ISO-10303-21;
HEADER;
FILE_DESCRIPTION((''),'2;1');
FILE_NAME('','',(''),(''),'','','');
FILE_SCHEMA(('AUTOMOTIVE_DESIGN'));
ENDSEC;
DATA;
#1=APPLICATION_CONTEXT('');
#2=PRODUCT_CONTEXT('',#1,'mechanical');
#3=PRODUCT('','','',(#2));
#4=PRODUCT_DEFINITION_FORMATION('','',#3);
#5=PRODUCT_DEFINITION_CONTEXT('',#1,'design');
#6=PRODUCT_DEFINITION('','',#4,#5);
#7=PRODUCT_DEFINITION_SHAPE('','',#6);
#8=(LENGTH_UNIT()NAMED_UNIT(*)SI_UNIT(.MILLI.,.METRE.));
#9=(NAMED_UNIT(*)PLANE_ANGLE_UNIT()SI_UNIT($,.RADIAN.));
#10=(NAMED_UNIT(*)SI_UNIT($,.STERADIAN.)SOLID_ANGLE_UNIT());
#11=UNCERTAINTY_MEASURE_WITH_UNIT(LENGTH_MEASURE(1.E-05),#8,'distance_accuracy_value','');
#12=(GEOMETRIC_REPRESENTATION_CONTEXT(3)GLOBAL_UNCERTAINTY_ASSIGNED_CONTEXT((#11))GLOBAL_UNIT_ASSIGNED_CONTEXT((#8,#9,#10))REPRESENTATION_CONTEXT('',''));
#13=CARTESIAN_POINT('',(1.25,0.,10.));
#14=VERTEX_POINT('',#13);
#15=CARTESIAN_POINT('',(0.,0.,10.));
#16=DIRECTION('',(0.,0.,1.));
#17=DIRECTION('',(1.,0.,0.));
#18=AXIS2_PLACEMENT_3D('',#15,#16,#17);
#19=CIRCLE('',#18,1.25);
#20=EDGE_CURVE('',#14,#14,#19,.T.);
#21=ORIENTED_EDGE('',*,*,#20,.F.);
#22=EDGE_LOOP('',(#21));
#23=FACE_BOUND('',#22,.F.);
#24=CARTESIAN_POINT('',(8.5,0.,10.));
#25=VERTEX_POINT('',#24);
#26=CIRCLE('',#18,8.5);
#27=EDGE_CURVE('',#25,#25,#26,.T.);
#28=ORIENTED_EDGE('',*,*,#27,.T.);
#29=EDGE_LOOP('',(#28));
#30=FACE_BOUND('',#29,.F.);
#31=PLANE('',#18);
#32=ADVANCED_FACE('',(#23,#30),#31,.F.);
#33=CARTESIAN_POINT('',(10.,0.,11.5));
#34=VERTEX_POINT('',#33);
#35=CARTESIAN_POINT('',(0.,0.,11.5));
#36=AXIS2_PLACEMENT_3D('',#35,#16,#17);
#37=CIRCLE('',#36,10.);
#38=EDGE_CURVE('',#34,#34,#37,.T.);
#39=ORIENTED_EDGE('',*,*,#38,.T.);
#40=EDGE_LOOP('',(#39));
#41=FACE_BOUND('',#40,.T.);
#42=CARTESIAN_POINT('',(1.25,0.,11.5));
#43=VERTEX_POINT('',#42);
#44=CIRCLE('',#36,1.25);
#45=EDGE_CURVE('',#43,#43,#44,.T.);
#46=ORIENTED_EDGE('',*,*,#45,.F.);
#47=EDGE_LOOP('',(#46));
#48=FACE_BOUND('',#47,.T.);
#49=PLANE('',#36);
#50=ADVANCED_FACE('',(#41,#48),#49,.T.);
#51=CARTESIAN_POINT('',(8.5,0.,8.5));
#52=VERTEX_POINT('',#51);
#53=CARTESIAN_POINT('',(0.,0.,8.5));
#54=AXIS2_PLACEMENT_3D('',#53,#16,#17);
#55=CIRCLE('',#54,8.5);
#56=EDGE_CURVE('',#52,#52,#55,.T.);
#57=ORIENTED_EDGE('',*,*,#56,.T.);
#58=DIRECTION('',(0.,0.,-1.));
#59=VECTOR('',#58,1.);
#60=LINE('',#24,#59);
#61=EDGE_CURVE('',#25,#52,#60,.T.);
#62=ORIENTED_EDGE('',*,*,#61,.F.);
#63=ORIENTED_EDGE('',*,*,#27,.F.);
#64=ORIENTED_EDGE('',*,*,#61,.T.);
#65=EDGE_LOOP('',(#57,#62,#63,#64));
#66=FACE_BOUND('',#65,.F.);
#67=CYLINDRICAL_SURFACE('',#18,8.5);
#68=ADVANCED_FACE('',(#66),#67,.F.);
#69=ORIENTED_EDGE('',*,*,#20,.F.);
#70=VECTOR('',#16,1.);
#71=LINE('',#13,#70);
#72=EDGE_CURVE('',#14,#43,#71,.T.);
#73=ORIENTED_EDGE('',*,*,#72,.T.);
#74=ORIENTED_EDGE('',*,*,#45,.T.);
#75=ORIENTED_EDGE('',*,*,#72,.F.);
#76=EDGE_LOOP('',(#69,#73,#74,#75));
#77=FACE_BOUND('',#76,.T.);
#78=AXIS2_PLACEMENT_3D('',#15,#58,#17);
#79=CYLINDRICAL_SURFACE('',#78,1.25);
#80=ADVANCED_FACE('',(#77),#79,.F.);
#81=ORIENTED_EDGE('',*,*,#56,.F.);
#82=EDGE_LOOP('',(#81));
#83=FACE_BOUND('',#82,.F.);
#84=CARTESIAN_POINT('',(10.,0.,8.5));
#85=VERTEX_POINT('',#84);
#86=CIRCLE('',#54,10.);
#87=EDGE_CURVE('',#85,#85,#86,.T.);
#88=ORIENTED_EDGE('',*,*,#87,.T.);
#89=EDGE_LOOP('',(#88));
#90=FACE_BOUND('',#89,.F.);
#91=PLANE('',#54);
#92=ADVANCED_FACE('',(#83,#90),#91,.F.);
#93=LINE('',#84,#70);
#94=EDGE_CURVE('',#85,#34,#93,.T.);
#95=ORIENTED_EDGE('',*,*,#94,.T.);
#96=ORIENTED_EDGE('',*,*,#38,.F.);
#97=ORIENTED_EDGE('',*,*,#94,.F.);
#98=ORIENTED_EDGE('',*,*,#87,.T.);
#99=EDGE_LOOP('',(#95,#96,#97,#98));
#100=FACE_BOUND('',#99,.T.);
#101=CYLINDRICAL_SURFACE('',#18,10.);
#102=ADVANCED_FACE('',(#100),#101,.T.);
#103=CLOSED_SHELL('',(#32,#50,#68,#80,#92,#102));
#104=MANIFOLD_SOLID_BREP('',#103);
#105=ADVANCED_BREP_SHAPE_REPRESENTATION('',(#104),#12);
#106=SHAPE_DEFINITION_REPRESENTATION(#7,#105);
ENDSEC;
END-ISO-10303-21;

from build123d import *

# Parameters (mm, degrees)
F1_R     = 10
F1_R_2   = 8.5
F1_R_3   = 1.25
F2_DEPTH = 1.5
F3_DEPTH = 1.5


with BuildPart() as f2:
    # F1 (on offset) → F2 (new body)
    with BuildSketch(Plane.XY.offset(10)):
        Circle(F1_R)
        Circle(F1_R_2, mode=Mode.SUBTRACT)
        Circle(F1_R_2)
        Circle(F1_R_3, mode=Mode.SUBTRACT)
    extrude(amount=F2_DEPTH)

    # F1 (on offset) → F3 (join)
    with BuildSketch(Plane.XY.offset(10)):
        Circle(F1_R)
        Circle(F1_R_2, mode=Mode.SUBTRACT)
    extrude(amount=-F3_DEPTH)


solid = f2.part
